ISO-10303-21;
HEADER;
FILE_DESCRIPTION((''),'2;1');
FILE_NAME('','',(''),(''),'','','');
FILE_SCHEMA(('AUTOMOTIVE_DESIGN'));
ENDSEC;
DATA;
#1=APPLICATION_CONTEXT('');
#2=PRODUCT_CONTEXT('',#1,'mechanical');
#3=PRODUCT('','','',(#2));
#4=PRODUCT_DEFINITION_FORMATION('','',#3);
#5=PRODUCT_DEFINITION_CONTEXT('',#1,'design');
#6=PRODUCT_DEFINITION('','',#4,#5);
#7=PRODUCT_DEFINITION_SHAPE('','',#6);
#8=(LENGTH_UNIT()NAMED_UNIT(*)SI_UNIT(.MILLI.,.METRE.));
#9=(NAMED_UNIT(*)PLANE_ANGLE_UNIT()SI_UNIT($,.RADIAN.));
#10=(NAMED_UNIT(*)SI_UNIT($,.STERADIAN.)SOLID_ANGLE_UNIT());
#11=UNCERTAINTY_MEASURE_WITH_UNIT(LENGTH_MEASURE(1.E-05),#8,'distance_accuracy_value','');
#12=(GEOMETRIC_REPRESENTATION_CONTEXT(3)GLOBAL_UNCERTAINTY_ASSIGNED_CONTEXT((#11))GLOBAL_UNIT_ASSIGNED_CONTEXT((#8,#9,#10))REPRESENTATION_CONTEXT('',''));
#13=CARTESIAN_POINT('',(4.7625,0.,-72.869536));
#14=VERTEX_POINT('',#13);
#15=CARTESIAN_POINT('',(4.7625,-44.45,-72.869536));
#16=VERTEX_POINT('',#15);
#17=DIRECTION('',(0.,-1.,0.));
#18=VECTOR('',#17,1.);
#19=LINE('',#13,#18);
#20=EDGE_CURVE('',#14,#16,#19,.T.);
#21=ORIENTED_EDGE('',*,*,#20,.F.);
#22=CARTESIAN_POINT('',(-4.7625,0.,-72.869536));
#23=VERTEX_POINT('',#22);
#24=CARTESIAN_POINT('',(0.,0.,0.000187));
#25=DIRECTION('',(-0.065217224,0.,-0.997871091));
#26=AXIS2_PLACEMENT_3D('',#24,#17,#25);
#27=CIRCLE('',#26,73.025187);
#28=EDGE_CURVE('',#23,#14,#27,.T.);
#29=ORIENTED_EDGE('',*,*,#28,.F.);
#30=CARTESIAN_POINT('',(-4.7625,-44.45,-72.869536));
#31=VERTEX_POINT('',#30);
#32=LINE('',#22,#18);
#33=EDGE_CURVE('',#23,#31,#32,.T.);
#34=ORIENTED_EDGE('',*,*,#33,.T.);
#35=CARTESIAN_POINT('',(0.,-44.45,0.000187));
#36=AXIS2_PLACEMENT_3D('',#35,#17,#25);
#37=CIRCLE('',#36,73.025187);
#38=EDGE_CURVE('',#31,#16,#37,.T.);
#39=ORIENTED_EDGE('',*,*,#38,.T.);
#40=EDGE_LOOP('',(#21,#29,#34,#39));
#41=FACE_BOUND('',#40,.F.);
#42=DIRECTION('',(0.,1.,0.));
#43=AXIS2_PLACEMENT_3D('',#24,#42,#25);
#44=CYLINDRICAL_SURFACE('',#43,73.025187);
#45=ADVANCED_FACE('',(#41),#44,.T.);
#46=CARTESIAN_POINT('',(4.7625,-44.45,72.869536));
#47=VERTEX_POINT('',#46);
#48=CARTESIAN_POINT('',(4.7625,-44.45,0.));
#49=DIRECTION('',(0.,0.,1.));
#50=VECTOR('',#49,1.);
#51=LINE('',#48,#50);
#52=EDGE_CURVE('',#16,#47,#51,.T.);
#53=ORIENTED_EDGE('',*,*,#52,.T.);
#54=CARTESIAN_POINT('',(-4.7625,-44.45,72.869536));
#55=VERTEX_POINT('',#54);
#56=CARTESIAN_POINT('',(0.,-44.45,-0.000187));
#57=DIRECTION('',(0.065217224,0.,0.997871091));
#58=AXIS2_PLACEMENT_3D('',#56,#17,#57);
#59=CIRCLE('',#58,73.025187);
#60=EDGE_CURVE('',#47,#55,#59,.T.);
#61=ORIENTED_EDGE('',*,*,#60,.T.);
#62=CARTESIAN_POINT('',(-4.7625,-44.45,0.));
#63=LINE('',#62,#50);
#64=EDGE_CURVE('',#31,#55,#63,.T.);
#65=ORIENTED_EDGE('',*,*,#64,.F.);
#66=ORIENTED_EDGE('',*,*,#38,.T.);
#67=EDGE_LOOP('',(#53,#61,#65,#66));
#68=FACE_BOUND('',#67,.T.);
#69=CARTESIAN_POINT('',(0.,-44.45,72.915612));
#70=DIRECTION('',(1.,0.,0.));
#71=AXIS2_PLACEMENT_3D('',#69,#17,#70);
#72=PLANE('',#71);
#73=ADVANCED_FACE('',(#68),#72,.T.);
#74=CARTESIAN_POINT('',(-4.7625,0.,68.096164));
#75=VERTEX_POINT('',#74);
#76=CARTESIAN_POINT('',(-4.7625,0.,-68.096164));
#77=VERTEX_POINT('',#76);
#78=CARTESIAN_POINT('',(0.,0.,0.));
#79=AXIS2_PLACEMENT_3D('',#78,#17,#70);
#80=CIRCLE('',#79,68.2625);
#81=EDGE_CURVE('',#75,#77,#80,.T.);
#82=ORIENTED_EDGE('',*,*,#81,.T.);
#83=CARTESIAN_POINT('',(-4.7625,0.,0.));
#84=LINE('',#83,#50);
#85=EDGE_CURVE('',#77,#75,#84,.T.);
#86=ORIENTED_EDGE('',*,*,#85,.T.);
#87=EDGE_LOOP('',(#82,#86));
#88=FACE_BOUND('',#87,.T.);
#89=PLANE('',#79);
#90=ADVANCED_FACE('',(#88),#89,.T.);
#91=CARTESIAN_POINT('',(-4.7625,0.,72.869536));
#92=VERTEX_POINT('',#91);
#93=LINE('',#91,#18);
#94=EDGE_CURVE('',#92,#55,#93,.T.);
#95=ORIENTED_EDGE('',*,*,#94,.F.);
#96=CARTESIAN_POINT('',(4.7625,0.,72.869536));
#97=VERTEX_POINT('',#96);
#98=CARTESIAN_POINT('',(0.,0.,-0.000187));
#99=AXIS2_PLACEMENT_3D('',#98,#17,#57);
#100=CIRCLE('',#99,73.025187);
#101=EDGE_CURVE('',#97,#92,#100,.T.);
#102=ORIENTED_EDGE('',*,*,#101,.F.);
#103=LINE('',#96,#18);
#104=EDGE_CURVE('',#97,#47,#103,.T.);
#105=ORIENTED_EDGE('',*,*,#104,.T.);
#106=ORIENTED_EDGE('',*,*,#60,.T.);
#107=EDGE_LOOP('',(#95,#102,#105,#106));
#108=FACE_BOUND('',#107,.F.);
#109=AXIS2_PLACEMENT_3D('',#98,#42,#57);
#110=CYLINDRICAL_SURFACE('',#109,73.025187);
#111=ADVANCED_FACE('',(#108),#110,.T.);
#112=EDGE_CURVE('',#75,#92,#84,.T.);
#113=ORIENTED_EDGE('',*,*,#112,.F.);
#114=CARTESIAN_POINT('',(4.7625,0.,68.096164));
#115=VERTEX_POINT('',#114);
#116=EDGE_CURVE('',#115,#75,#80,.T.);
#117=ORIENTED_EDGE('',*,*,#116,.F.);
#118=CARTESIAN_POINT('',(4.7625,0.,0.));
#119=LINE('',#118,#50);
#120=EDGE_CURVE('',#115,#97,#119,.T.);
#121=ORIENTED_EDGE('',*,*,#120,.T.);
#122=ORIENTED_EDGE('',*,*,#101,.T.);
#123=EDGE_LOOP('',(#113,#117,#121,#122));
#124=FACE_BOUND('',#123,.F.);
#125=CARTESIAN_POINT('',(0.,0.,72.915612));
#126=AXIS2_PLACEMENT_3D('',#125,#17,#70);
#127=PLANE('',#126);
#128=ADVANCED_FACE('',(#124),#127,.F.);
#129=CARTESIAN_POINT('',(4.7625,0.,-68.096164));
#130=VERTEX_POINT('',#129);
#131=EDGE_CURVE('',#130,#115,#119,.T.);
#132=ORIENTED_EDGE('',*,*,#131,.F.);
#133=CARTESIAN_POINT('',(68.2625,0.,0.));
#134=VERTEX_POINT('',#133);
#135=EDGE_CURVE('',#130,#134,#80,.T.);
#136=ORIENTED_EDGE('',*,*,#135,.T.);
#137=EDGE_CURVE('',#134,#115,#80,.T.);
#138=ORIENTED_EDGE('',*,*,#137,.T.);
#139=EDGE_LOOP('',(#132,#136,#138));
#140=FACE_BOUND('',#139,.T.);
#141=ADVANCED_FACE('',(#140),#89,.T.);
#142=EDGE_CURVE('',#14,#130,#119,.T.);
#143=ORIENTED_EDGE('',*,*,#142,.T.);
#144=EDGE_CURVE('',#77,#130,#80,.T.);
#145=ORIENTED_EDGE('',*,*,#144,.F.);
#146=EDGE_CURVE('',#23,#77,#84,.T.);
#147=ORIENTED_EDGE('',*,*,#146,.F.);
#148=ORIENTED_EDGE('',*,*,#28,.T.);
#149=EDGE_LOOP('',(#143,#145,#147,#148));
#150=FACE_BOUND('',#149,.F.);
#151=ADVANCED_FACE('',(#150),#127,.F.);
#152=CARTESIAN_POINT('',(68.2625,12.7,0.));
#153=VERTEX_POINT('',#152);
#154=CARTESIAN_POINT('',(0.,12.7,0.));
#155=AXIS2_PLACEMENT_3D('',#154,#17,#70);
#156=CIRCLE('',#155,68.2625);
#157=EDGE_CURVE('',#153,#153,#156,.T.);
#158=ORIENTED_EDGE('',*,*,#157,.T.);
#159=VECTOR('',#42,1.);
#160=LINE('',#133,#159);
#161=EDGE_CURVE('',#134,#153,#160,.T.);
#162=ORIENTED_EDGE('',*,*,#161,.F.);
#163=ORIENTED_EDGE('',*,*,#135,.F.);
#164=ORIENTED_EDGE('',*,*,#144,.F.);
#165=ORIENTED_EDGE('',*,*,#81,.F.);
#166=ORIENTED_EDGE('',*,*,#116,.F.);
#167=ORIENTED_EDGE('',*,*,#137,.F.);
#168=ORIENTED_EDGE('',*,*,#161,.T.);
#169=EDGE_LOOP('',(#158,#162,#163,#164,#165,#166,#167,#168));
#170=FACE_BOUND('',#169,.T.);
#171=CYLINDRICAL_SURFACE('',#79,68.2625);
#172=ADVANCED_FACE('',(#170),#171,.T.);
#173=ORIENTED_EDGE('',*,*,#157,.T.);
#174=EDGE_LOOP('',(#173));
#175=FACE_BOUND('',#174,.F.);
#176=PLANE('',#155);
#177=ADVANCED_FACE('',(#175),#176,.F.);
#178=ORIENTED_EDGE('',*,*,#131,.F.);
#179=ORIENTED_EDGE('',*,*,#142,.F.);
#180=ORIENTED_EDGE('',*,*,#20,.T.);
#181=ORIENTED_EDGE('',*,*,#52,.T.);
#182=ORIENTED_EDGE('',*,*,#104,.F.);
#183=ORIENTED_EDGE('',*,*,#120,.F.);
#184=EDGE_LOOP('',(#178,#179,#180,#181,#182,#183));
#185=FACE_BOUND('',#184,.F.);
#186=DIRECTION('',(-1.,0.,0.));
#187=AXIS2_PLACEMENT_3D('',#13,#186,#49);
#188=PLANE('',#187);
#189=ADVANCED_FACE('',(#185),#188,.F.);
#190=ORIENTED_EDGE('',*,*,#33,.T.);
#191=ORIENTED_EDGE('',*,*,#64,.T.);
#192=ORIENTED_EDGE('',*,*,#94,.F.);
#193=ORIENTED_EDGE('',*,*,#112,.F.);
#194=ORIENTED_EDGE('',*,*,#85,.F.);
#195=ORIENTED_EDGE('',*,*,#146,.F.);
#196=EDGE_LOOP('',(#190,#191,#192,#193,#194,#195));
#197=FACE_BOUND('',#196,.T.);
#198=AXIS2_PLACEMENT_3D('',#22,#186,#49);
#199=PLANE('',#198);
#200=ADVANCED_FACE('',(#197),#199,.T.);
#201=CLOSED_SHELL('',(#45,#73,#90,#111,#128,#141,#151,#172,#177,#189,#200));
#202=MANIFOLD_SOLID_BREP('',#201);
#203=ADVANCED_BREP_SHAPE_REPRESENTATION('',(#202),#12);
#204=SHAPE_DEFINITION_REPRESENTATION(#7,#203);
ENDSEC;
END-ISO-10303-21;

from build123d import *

# Parameters (mm, degrees)
F0_W     = 9.525
F0_H     = 145.739072
F2_DEPTH = 44.45
F1_R     = 68.2625
F3_DEPTH = 12.7


with BuildPart() as f2:
    # F0 (on Front) → F2 (new body)
    with BuildSketch(Plane.XZ):
        with BuildLine():
            Line((-4.7625, 72.869536), (4.7625, 72.869536))
            ThreePointArc((4.7625, 72.869536), (0, 73.025), (-4.7625, 72.869536))
        make_face()
        with BuildLine():
            ThreePointArc((-4.7625, -72.869536), (0, -73.025), (4.7625, -72.869536))
            Line((4.7625, -72.869536), (-4.7625, -72.869536))
        make_face()
        Rectangle(F0_W, F0_H)
    extrude(amount=F2_DEPTH)

    # F1 (on Front) → F3 (join)
    with BuildSketch(Plane.XZ):
        Circle(F1_R)
    extrude(amount=-F3_DEPTH)


solid = f2.part
